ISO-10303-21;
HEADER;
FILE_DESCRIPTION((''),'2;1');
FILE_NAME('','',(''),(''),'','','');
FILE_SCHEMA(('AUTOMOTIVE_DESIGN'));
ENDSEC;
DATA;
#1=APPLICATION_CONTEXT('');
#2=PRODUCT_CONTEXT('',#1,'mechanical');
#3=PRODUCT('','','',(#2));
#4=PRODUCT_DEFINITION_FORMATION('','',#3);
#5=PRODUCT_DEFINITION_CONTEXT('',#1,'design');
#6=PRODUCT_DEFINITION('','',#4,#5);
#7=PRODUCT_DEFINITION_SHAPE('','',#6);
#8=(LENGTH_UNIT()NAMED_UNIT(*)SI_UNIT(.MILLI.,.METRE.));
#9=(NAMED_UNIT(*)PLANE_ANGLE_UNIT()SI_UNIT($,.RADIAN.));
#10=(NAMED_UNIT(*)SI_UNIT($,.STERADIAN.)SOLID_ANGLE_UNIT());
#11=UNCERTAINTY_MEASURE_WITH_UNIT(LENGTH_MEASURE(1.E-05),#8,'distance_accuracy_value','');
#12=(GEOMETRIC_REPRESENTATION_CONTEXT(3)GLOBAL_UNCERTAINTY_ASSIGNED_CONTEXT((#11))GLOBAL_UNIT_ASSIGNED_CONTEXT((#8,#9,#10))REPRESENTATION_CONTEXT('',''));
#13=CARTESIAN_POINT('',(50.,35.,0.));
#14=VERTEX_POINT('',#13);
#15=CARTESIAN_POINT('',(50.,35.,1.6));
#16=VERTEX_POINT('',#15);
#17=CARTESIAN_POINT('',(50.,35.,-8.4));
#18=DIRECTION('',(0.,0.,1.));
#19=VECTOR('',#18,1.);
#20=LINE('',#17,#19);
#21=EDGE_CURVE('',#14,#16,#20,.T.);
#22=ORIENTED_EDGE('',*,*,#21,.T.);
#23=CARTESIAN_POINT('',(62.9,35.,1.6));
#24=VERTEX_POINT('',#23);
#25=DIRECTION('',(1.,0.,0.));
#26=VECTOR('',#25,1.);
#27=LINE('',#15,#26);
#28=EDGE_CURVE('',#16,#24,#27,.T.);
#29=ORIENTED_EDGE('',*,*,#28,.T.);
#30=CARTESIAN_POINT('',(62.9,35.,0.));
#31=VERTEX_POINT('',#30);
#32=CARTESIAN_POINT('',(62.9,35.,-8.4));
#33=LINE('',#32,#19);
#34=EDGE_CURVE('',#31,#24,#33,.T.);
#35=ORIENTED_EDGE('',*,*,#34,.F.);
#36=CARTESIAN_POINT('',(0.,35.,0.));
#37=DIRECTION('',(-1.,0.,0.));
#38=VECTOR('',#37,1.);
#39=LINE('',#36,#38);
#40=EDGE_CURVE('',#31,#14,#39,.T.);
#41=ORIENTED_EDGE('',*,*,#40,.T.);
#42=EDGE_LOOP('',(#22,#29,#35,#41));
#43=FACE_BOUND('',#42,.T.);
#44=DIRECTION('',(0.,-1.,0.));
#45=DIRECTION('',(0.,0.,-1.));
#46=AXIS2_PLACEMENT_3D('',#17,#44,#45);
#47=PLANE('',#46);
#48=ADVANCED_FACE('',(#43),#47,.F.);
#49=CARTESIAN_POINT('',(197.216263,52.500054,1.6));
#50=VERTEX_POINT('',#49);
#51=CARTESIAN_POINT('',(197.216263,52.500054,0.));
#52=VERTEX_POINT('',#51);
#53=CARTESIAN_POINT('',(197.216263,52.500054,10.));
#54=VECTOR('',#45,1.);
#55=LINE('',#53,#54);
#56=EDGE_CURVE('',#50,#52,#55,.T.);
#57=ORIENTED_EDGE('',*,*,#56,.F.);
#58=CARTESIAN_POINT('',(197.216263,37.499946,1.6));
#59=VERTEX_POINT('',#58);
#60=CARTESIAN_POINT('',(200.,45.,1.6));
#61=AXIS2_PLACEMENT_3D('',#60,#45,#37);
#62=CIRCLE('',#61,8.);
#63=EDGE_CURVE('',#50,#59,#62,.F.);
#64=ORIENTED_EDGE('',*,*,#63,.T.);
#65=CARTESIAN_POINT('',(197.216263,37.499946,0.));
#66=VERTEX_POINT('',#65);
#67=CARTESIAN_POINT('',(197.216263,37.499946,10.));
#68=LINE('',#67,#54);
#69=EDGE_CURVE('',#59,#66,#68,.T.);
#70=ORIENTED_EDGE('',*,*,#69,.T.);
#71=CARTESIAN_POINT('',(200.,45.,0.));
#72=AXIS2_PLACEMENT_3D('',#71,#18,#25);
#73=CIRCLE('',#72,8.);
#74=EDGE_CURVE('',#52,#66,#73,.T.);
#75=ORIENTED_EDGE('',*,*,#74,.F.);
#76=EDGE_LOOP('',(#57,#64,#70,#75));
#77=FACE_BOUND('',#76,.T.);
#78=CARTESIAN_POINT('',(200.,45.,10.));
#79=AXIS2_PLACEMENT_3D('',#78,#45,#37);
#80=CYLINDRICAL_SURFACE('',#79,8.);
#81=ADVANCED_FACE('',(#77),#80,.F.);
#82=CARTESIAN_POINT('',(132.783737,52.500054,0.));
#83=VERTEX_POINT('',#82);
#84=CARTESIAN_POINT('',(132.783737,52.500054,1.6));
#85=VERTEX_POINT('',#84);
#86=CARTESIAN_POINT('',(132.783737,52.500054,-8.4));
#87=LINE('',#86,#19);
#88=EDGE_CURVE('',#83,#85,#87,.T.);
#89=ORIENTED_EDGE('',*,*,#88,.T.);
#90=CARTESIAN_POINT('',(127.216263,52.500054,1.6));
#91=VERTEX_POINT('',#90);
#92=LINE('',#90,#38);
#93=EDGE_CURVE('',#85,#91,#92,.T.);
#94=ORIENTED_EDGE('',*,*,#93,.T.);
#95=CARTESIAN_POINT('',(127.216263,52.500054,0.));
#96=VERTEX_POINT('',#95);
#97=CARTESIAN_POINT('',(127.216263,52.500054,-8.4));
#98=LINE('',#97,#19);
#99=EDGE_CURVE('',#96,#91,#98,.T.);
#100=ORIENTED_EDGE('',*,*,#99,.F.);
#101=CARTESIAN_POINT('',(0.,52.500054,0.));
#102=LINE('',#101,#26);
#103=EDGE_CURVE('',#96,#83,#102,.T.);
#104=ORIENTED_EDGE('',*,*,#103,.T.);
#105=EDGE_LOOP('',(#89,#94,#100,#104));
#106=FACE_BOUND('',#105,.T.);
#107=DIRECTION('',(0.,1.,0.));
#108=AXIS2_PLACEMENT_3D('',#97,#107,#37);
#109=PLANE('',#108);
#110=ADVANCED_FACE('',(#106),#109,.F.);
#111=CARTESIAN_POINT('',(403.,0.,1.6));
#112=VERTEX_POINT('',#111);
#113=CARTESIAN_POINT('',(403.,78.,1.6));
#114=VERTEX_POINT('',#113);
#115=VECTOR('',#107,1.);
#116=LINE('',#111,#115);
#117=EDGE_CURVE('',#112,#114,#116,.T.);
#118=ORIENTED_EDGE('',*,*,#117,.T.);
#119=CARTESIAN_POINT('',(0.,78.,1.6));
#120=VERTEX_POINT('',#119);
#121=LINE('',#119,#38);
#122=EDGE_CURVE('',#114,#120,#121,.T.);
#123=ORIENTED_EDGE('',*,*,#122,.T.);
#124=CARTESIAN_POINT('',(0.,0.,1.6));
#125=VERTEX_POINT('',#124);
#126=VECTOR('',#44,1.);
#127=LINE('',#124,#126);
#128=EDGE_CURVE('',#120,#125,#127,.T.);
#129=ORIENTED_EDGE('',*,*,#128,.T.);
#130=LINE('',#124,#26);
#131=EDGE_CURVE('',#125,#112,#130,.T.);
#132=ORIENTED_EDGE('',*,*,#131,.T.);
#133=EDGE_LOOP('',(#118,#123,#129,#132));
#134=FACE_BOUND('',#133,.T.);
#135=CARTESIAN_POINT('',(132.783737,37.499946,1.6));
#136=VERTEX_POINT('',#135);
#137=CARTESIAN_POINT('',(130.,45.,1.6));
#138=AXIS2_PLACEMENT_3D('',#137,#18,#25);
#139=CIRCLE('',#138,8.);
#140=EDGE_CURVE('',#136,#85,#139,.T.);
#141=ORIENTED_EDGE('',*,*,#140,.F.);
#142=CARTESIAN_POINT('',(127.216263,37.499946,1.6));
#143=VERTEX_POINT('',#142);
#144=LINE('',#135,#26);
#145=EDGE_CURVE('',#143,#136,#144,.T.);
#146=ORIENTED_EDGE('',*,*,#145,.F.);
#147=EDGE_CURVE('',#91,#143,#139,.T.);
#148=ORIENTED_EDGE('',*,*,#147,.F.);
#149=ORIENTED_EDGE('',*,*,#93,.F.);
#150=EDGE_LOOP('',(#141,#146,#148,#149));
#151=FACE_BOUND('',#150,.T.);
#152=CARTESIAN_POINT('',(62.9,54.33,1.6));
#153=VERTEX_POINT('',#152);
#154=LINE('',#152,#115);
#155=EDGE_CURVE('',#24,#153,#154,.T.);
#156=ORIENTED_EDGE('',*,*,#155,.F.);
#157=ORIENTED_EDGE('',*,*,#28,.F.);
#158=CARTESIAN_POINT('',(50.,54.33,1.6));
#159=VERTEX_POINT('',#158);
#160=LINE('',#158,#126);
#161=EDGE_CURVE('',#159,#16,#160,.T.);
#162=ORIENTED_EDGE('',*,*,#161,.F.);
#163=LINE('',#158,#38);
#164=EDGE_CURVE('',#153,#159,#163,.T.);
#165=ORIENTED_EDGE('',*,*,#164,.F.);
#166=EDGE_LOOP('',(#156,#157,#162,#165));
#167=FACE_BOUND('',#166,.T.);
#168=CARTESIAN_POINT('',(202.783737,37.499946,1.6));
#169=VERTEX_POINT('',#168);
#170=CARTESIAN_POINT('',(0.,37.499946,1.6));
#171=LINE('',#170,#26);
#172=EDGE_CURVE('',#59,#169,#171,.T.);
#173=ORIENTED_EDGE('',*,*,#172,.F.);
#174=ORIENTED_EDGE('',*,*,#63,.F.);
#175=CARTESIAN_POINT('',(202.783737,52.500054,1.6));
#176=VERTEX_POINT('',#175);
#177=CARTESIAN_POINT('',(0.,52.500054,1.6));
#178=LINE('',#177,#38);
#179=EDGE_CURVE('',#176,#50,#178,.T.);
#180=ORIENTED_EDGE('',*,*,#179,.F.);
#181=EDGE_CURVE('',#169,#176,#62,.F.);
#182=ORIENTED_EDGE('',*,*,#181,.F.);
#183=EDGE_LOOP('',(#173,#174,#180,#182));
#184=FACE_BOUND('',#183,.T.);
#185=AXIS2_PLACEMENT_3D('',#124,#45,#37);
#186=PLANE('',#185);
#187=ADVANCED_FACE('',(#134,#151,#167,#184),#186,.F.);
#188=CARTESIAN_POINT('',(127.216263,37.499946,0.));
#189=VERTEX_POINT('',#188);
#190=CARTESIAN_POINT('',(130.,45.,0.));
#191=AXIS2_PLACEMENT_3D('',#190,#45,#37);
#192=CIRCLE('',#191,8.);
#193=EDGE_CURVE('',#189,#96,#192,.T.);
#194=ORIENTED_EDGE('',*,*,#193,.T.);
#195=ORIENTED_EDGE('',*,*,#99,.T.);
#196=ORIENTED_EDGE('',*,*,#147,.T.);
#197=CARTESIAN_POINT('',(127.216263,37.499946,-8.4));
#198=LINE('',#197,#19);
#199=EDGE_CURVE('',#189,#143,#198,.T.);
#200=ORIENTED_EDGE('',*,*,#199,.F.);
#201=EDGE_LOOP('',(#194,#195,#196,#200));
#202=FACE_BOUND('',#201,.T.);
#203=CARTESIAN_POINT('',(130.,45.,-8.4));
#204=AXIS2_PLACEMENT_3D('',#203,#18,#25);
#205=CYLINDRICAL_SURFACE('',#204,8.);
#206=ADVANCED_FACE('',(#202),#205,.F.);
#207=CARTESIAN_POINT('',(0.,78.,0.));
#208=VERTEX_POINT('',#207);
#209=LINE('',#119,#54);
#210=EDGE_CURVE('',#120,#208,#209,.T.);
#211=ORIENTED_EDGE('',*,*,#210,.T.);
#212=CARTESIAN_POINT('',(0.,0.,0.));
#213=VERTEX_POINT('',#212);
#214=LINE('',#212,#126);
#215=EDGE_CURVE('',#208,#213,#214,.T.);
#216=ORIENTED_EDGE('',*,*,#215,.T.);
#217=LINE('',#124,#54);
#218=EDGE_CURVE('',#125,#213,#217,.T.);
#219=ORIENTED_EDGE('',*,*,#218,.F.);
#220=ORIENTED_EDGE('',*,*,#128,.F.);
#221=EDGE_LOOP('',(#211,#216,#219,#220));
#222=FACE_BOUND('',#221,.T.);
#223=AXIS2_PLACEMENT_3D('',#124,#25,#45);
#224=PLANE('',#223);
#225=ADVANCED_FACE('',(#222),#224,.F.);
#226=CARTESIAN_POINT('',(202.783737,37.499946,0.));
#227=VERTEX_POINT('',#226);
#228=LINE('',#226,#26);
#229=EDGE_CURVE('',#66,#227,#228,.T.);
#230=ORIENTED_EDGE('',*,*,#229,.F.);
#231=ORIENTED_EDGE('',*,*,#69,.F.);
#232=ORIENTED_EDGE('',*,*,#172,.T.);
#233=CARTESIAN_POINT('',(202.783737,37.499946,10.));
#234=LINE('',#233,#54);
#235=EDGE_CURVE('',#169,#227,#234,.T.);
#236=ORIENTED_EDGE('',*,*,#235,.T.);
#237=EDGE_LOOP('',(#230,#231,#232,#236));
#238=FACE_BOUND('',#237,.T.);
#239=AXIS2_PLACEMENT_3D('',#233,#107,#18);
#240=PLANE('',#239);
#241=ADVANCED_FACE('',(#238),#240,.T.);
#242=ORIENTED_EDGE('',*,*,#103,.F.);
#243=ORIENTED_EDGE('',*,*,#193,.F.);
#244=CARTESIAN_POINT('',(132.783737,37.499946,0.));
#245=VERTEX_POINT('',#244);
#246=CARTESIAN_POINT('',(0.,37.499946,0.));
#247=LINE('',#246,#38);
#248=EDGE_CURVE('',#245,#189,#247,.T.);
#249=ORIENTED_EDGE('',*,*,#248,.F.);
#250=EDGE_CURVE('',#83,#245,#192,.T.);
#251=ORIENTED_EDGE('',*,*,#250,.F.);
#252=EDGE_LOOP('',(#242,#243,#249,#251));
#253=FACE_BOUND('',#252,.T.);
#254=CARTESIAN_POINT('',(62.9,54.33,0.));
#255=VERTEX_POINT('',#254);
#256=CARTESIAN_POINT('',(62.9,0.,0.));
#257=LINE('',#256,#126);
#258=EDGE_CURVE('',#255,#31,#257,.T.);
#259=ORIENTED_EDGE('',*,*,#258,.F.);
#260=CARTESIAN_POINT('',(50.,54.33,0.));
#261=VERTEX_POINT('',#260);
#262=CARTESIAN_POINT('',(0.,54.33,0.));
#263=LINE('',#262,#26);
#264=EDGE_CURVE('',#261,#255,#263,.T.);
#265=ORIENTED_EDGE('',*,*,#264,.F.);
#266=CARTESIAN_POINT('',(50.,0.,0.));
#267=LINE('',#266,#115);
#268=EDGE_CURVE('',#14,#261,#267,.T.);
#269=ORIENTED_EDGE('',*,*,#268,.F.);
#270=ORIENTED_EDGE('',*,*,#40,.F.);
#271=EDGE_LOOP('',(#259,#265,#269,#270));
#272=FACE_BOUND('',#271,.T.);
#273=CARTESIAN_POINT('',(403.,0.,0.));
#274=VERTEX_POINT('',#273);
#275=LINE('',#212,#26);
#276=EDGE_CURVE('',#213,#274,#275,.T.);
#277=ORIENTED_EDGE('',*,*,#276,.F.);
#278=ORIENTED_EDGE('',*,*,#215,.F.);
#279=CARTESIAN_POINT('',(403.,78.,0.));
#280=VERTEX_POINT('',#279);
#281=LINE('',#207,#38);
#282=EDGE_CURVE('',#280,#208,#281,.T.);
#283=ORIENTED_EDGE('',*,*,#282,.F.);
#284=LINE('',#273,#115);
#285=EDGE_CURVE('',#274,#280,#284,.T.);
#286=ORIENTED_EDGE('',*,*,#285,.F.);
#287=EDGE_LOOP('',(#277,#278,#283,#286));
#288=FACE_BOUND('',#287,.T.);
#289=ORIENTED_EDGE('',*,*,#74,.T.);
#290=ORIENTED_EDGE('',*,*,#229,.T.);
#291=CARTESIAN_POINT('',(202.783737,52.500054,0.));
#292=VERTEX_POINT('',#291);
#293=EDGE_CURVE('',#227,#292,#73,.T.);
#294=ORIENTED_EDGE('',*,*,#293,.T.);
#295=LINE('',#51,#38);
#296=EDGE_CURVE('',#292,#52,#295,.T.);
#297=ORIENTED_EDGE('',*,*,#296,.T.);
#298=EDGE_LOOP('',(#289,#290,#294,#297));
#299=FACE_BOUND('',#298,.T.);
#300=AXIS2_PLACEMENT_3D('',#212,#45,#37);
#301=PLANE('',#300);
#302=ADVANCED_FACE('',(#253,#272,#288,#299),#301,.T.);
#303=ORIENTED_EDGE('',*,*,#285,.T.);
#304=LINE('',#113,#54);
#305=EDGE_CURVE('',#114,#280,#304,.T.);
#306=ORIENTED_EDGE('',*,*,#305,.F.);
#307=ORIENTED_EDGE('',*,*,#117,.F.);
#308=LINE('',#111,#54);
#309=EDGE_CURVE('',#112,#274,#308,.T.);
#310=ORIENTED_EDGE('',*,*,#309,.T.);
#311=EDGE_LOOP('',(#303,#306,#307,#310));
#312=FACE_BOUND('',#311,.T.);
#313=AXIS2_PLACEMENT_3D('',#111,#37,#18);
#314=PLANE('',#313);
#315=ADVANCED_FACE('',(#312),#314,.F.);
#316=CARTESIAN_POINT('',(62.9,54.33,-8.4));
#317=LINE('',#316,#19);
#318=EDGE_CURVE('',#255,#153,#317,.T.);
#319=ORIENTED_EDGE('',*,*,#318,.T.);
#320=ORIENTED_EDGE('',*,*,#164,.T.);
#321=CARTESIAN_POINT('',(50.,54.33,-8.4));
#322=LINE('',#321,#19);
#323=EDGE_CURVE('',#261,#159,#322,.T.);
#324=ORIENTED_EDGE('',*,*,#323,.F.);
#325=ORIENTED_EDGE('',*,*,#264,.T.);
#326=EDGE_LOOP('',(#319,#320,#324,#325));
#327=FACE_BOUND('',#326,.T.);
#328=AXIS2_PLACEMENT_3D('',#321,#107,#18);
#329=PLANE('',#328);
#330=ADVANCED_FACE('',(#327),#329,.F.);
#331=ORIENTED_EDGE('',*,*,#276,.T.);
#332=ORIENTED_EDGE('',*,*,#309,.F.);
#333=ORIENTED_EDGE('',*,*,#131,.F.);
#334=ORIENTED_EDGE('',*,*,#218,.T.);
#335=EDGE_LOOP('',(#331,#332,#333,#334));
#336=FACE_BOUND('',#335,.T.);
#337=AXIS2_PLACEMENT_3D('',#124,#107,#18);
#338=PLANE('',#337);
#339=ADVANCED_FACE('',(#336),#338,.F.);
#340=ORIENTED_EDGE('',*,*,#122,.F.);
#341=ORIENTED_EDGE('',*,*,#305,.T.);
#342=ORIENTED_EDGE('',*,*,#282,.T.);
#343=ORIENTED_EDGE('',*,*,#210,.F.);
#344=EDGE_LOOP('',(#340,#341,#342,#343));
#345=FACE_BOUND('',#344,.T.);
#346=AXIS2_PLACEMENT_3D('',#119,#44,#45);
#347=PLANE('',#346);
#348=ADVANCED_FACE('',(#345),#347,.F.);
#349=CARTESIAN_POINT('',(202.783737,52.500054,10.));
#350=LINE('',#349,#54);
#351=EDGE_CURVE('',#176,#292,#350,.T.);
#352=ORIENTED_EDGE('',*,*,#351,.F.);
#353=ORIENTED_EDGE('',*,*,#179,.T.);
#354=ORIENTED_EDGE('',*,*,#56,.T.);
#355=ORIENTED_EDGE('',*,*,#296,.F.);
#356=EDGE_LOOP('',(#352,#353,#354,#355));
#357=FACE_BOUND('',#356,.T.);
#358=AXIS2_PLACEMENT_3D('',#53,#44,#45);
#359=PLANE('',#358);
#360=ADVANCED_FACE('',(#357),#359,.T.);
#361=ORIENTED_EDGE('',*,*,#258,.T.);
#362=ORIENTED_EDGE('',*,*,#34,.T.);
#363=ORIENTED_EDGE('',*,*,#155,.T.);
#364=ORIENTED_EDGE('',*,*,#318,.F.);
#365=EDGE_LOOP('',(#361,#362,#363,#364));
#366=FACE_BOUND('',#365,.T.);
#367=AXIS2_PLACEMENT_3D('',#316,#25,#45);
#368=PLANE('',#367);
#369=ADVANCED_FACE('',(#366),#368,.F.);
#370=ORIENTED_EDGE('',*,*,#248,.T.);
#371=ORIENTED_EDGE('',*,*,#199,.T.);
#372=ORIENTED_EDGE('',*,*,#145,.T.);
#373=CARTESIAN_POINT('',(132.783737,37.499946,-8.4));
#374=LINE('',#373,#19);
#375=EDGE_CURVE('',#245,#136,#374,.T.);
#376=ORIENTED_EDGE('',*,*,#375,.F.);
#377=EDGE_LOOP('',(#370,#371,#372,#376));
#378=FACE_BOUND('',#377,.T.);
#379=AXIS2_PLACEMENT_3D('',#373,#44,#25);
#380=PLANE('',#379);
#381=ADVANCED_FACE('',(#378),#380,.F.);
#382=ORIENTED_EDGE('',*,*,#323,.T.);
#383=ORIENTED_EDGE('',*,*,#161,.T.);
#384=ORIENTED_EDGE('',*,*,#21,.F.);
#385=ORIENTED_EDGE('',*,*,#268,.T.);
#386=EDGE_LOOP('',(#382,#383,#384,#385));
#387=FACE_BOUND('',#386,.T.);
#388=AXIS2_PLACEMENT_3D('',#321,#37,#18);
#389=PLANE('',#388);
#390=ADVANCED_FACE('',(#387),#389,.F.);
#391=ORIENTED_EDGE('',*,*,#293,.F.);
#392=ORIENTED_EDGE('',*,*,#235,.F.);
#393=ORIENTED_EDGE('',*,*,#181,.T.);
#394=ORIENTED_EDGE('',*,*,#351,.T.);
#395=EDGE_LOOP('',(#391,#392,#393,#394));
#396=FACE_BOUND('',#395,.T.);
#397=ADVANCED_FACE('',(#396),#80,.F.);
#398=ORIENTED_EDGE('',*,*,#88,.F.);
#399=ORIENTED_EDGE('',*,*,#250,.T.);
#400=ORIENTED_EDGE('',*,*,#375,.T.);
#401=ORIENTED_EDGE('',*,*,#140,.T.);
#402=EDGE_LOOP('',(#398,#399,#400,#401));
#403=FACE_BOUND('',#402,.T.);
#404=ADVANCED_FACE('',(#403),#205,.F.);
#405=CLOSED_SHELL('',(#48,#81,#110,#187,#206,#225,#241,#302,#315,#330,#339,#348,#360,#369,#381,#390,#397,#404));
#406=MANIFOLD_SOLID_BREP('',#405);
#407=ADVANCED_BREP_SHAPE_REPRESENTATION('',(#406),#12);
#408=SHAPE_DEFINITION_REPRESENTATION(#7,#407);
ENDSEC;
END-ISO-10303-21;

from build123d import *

# Parameters (mm, degrees)
PANEL_W             = 403
PANEL_H             = 78
BOSS_EXTRUDE1_DEPTH = 1.6
ROCKER_SWITCH_W     = 12.9
ROCKER_SWITCH_H     = 19.33
CUT_EXTRUDE2_DEPTH  = 10
CUT_EXTRUDE4_DEPTH  = 10
CUT_EXTRUDE6_DEPTH  = 10


with BuildPart() as part:
    # Panel → Boss-Extrude1 (new body)
    with BuildSketch(Plane.XY):
        with Locations((201.5, 39)):
            Rectangle(PANEL_W, PANEL_H)
    extrude(amount=BOSS_EXTRUDE1_DEPTH)

    # Rocker_Switch → Cut-Extrude2 (cut)
    with BuildSketch(Plane.XY.offset(1.6)):
        with Locations((56.45, 44.665)):
            Rectangle(ROCKER_SWITCH_W, ROCKER_SWITCH_H)
    extrude(amount=-CUT_EXTRUDE2_DEPTH, mode=Mode.SUBTRACT)

    # Turbo → Cut-Extrude4 (cut)
    with BuildSketch(Plane.XY):
        with BuildLine():
            Line((197.216263462, 52.500054059), (202.783736538, 52.500054059))
            ThreePointArc((202.783736538, 52.500054059), (208, 45), (202.783736538, 37.499945941))
            Line((202.783736538, 37.499945941), (197.216263462, 37.499945941))
            ThreePointArc((197.216263462, 37.499945941), (192, 45), (197.216263462, 52.500054059))
        make_face()
    extrude(amount=CUT_EXTRUDE4_DEPTH, mode=Mode.SUBTRACT)

    # En/Disable → Cut-Extrude6 (cut)
    with BuildSketch(Plane.XY.offset(1.6)):
        with BuildLine():
            Line((127.216263462, 52.500054059), (132.783736538, 52.500054059))
            ThreePointArc((132.783736538, 52.500054059), (138, 45), (132.783736538, 37.499945941))
            Line((132.783736538, 37.499945941), (127.216263462, 37.499945941))
            ThreePointArc((127.216263462, 37.499945941), (122, 45), (127.216263462, 52.500054059))
        make_face()
    extrude(amount=-CUT_EXTRUDE6_DEPTH, mode=Mode.SUBTRACT)


solid = part.part
